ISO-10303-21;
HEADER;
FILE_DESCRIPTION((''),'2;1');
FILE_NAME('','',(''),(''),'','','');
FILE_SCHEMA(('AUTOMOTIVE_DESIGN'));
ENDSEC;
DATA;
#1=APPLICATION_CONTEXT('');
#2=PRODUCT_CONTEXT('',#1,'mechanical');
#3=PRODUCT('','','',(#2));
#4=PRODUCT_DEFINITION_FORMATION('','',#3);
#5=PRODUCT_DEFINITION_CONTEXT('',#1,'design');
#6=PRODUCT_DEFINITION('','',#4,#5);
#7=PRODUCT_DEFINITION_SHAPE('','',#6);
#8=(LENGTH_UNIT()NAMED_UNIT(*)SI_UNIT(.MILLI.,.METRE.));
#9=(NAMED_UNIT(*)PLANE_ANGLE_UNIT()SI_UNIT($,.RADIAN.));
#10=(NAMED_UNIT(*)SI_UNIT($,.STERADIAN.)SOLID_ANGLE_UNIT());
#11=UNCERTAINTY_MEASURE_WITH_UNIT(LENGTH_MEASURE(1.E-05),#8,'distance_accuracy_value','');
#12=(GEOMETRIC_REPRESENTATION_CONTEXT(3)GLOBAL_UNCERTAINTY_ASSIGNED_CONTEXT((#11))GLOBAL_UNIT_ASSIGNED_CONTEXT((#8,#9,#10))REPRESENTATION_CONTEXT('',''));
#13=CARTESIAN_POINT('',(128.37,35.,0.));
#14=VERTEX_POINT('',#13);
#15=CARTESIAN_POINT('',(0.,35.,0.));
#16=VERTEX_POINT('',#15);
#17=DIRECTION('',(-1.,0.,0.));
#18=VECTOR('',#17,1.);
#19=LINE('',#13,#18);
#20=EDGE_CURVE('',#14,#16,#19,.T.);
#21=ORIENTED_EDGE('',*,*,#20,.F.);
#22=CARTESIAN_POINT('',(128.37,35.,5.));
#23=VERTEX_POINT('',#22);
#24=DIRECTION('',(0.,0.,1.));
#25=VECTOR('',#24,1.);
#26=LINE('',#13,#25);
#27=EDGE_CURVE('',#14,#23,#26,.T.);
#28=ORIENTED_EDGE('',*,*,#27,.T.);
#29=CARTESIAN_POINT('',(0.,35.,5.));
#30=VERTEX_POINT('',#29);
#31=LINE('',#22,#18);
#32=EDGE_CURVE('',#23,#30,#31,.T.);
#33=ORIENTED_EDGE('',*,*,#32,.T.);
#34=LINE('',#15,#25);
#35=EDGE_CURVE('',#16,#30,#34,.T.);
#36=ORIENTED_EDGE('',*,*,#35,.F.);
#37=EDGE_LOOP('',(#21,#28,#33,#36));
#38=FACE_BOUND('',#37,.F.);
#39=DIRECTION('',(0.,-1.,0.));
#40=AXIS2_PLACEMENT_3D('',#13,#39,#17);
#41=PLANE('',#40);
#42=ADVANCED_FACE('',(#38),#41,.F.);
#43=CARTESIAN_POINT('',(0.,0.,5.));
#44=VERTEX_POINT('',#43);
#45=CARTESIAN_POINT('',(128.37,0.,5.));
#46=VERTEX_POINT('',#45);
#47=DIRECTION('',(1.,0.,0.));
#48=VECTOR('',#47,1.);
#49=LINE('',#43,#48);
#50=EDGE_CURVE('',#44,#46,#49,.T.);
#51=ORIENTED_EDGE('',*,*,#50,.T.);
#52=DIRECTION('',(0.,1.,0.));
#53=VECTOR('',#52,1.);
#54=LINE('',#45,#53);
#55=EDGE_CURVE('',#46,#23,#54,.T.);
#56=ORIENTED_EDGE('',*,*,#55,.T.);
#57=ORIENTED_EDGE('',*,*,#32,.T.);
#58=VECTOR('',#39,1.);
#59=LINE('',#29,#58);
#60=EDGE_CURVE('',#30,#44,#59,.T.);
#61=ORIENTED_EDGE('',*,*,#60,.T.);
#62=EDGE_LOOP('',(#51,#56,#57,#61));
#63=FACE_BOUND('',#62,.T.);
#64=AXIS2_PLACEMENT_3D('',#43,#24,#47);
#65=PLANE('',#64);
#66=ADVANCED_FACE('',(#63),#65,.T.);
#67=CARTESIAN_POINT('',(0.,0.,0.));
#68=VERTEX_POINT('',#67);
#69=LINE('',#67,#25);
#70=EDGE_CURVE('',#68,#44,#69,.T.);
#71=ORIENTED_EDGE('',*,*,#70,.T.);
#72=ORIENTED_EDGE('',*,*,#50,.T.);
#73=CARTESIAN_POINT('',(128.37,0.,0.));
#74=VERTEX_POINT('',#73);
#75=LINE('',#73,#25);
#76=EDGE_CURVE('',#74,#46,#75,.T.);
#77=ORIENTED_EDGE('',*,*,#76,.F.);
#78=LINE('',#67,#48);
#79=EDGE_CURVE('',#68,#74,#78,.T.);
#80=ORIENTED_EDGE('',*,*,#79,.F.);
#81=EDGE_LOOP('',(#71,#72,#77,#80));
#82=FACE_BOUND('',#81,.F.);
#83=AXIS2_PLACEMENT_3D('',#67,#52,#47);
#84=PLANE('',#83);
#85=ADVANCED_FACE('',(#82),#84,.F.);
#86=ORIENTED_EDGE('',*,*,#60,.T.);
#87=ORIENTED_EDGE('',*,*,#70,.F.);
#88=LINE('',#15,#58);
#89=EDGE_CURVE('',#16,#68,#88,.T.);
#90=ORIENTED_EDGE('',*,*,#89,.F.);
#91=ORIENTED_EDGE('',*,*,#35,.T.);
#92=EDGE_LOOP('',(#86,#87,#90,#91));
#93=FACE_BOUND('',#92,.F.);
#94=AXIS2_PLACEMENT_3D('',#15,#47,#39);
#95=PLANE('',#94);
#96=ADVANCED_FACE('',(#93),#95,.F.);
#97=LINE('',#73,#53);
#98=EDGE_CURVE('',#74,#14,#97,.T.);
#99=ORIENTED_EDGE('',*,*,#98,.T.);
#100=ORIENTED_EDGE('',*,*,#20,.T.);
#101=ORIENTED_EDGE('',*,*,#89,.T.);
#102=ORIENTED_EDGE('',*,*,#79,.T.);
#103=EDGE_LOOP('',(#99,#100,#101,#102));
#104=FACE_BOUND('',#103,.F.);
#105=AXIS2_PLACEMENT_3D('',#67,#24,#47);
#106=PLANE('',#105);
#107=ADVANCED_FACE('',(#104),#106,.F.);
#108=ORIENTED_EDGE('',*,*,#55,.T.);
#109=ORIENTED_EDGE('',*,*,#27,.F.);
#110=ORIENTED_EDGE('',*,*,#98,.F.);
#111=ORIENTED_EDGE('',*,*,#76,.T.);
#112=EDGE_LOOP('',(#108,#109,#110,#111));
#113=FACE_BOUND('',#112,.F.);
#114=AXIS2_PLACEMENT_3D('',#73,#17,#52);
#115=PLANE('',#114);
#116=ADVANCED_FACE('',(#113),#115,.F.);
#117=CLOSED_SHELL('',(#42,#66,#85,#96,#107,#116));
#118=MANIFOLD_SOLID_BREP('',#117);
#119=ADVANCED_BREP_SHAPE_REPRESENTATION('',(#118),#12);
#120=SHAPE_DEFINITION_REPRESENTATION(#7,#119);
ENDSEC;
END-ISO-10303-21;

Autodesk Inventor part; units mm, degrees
ref_plane "YZ Plane" through (0, 0, 0) normal (1, 0, 0) x (0, 1, 0)
ref_plane "XZ Plane" through (0, 0, 0) normal (0, 1, 0) x (-1, 0, 0)
ref_plane "XY Plane" through (0, 0, 0) normal (0, 0, 1) x (1, 0, 0)
sketch "Sketch1" plane through (0, 0, 0) normal (0, 0, 1) x (1, 0, 0)
  line L0 (0, 0) -> (128.37, 0)
  line L1 (128.37, 0) -> (128.37, 35)
  line L2 (128.37, 35) -> (0, 35)
  line L3 (0, 35) -> (0, 0)
  dimension "d0" = 128.37
  dimension "d1" = 35
extrude "Extrusion1" add sketch "Sketch1" along normal blind 5
properties part number "Back Plate"
